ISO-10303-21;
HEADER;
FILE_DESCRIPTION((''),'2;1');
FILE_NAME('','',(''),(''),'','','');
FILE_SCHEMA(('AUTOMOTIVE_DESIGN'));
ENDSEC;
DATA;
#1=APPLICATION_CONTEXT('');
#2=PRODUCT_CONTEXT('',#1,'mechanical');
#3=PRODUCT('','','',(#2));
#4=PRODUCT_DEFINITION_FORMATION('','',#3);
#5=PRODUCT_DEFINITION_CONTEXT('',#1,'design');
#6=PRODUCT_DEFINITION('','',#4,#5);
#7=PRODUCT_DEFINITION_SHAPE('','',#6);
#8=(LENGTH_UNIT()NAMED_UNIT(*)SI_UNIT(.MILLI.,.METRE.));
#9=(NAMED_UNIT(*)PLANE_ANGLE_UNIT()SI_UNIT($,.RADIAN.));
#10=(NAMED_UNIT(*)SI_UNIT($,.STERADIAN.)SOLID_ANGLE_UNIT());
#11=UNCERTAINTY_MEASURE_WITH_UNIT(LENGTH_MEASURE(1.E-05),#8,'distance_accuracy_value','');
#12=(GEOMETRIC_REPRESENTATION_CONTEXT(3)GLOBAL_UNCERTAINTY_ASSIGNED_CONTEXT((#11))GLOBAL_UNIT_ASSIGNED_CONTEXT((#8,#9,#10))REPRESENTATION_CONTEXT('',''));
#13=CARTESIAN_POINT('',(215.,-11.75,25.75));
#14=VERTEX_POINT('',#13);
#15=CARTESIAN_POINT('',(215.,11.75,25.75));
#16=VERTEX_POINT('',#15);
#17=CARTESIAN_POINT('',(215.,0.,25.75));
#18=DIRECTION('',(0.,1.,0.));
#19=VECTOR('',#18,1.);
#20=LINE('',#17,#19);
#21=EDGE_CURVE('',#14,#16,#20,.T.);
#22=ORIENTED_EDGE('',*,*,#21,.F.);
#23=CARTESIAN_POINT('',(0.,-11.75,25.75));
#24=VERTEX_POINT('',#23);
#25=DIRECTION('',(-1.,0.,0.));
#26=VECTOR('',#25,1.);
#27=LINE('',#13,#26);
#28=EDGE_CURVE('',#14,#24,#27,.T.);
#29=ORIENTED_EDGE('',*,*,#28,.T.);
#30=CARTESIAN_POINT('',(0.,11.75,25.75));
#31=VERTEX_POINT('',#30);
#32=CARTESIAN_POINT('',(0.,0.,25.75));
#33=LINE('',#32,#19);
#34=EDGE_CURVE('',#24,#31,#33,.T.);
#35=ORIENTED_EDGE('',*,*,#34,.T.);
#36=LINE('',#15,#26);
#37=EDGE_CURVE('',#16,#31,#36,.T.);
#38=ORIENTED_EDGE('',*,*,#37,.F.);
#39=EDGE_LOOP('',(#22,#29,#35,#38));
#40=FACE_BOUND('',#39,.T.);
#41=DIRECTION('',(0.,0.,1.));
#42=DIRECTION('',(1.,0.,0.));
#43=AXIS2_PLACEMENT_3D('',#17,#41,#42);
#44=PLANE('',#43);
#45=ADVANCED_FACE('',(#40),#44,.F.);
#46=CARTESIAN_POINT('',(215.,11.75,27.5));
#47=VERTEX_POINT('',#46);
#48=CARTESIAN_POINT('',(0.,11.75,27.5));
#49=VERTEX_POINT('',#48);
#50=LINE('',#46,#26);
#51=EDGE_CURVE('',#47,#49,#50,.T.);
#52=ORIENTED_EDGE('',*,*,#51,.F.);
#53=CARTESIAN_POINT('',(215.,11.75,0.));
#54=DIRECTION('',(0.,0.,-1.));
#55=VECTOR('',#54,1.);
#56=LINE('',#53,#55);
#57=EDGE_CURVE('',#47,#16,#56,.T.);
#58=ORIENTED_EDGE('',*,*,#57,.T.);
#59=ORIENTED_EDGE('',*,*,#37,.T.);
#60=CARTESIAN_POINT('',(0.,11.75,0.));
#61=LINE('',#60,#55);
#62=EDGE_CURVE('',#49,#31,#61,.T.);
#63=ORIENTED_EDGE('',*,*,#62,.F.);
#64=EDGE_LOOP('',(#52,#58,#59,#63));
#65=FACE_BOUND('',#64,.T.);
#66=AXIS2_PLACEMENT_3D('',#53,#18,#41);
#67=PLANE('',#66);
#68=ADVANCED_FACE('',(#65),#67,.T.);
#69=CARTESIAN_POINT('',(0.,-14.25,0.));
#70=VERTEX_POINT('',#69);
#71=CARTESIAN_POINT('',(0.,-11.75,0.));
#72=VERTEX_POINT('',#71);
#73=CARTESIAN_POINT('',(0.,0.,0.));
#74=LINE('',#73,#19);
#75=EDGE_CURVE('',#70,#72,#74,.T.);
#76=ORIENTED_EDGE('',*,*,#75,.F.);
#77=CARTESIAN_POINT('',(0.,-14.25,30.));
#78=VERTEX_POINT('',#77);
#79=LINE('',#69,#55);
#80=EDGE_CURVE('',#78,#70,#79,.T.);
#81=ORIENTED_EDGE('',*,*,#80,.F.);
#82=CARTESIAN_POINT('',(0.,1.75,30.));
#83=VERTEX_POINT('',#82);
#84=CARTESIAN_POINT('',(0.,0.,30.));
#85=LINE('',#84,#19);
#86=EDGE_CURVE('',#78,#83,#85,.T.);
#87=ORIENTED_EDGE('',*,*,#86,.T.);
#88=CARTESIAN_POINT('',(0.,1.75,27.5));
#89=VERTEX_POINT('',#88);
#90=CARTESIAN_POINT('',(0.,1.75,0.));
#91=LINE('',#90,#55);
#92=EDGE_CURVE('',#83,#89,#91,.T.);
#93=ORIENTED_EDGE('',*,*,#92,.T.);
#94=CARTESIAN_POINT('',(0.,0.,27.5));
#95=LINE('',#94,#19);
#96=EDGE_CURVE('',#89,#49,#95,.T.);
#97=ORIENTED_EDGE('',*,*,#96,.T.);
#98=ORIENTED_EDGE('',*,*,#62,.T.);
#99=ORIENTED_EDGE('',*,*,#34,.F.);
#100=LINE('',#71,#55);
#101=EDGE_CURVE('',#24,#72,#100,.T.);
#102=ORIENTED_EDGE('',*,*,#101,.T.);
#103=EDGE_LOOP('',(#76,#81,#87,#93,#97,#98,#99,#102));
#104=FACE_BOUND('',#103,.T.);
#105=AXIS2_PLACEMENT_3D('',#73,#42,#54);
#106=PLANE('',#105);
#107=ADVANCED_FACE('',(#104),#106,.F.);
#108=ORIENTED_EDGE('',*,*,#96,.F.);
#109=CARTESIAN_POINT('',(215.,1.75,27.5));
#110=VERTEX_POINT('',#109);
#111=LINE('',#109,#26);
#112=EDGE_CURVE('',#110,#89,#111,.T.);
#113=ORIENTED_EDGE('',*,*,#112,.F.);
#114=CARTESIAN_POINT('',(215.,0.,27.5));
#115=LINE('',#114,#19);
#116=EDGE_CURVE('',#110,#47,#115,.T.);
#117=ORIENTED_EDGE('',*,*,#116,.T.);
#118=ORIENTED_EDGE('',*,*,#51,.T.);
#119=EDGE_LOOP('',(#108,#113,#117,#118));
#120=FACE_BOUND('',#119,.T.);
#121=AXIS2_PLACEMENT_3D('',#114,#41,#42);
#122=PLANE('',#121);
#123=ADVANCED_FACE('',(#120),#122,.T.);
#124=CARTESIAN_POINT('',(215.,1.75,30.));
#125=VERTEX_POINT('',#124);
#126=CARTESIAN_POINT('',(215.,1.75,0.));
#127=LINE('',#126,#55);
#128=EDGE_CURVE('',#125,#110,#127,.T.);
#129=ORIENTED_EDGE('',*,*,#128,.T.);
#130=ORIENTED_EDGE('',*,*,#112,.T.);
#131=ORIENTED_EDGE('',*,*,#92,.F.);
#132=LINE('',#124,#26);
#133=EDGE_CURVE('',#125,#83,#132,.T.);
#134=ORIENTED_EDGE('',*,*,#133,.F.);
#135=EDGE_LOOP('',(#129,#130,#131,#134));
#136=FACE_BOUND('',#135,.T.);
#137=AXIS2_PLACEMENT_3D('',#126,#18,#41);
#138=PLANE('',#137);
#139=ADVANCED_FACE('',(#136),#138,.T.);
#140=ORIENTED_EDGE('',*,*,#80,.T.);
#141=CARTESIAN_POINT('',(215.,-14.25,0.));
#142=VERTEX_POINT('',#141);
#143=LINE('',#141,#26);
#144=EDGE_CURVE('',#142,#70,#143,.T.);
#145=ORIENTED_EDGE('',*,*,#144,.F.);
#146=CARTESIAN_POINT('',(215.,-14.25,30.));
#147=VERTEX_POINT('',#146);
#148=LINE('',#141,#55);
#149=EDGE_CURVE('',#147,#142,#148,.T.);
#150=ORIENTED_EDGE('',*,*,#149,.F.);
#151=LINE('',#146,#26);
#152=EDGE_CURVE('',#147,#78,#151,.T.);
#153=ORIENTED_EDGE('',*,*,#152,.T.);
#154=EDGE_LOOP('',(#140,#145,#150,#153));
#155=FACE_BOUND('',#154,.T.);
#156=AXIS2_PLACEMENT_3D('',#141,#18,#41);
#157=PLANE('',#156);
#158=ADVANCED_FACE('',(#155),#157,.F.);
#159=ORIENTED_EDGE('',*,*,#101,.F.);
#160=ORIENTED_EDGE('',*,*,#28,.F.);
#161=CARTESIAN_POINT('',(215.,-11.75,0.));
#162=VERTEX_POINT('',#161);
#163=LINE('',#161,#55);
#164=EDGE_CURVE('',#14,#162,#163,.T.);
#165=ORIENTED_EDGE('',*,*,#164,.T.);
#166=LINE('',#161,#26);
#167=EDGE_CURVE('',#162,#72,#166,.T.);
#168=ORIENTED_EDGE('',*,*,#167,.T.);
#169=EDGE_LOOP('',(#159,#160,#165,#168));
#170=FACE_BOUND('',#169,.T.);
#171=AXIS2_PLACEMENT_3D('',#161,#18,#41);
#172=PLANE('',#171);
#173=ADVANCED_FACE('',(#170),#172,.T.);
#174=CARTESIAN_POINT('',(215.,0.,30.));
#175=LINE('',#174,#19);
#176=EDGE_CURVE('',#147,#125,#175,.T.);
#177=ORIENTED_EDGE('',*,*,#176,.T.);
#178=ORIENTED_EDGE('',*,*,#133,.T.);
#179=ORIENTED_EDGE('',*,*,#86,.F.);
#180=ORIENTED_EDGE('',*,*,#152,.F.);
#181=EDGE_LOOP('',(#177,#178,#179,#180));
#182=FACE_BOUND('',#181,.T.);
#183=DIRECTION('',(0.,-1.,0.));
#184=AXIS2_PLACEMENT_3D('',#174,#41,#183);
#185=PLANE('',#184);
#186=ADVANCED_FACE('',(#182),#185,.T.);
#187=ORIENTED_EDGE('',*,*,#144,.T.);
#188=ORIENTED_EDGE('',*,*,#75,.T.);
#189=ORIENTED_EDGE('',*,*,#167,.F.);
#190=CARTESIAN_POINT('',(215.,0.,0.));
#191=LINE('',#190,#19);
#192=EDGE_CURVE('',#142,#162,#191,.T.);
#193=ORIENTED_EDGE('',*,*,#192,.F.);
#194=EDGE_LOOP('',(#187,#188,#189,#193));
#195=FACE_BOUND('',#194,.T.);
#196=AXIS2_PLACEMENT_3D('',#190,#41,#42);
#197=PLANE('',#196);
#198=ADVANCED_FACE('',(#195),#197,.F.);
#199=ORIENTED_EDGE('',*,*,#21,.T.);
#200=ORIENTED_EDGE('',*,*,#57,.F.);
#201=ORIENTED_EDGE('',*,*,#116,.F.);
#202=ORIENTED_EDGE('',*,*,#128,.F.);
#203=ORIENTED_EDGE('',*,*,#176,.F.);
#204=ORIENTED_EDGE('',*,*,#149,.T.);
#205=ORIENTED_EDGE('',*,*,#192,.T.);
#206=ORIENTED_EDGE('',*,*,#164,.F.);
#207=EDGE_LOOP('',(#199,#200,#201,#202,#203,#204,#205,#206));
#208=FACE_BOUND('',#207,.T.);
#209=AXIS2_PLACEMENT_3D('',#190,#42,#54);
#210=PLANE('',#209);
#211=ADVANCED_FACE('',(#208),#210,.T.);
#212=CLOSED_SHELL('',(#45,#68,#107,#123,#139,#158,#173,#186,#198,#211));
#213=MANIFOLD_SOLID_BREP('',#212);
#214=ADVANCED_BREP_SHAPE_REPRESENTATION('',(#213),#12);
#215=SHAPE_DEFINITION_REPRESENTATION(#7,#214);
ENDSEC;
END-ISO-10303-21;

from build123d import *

# Parameters (mm, degrees)
BOSS_EXTRUDE1_DEPTH = 215


with BuildPart() as part:
    # Sketch2 → Boss-Extrude1 (new body)
    with BuildSketch(Plane(origin=(0, 0, 0), x_dir=(0, 0, -1), z_dir=(1, 0, 0))):
        Polygon((-27.5, 1.75), (-30, 1.75), (-30, -14.25), (0, -14.25), (0, -11.75), (-25.75, -11.75), (-25.75, 11.75), (-27.5, 11.75), (-27.5, 9.25), align=None)
    extrude(amount=BOSS_EXTRUDE1_DEPTH)


solid = part.part
